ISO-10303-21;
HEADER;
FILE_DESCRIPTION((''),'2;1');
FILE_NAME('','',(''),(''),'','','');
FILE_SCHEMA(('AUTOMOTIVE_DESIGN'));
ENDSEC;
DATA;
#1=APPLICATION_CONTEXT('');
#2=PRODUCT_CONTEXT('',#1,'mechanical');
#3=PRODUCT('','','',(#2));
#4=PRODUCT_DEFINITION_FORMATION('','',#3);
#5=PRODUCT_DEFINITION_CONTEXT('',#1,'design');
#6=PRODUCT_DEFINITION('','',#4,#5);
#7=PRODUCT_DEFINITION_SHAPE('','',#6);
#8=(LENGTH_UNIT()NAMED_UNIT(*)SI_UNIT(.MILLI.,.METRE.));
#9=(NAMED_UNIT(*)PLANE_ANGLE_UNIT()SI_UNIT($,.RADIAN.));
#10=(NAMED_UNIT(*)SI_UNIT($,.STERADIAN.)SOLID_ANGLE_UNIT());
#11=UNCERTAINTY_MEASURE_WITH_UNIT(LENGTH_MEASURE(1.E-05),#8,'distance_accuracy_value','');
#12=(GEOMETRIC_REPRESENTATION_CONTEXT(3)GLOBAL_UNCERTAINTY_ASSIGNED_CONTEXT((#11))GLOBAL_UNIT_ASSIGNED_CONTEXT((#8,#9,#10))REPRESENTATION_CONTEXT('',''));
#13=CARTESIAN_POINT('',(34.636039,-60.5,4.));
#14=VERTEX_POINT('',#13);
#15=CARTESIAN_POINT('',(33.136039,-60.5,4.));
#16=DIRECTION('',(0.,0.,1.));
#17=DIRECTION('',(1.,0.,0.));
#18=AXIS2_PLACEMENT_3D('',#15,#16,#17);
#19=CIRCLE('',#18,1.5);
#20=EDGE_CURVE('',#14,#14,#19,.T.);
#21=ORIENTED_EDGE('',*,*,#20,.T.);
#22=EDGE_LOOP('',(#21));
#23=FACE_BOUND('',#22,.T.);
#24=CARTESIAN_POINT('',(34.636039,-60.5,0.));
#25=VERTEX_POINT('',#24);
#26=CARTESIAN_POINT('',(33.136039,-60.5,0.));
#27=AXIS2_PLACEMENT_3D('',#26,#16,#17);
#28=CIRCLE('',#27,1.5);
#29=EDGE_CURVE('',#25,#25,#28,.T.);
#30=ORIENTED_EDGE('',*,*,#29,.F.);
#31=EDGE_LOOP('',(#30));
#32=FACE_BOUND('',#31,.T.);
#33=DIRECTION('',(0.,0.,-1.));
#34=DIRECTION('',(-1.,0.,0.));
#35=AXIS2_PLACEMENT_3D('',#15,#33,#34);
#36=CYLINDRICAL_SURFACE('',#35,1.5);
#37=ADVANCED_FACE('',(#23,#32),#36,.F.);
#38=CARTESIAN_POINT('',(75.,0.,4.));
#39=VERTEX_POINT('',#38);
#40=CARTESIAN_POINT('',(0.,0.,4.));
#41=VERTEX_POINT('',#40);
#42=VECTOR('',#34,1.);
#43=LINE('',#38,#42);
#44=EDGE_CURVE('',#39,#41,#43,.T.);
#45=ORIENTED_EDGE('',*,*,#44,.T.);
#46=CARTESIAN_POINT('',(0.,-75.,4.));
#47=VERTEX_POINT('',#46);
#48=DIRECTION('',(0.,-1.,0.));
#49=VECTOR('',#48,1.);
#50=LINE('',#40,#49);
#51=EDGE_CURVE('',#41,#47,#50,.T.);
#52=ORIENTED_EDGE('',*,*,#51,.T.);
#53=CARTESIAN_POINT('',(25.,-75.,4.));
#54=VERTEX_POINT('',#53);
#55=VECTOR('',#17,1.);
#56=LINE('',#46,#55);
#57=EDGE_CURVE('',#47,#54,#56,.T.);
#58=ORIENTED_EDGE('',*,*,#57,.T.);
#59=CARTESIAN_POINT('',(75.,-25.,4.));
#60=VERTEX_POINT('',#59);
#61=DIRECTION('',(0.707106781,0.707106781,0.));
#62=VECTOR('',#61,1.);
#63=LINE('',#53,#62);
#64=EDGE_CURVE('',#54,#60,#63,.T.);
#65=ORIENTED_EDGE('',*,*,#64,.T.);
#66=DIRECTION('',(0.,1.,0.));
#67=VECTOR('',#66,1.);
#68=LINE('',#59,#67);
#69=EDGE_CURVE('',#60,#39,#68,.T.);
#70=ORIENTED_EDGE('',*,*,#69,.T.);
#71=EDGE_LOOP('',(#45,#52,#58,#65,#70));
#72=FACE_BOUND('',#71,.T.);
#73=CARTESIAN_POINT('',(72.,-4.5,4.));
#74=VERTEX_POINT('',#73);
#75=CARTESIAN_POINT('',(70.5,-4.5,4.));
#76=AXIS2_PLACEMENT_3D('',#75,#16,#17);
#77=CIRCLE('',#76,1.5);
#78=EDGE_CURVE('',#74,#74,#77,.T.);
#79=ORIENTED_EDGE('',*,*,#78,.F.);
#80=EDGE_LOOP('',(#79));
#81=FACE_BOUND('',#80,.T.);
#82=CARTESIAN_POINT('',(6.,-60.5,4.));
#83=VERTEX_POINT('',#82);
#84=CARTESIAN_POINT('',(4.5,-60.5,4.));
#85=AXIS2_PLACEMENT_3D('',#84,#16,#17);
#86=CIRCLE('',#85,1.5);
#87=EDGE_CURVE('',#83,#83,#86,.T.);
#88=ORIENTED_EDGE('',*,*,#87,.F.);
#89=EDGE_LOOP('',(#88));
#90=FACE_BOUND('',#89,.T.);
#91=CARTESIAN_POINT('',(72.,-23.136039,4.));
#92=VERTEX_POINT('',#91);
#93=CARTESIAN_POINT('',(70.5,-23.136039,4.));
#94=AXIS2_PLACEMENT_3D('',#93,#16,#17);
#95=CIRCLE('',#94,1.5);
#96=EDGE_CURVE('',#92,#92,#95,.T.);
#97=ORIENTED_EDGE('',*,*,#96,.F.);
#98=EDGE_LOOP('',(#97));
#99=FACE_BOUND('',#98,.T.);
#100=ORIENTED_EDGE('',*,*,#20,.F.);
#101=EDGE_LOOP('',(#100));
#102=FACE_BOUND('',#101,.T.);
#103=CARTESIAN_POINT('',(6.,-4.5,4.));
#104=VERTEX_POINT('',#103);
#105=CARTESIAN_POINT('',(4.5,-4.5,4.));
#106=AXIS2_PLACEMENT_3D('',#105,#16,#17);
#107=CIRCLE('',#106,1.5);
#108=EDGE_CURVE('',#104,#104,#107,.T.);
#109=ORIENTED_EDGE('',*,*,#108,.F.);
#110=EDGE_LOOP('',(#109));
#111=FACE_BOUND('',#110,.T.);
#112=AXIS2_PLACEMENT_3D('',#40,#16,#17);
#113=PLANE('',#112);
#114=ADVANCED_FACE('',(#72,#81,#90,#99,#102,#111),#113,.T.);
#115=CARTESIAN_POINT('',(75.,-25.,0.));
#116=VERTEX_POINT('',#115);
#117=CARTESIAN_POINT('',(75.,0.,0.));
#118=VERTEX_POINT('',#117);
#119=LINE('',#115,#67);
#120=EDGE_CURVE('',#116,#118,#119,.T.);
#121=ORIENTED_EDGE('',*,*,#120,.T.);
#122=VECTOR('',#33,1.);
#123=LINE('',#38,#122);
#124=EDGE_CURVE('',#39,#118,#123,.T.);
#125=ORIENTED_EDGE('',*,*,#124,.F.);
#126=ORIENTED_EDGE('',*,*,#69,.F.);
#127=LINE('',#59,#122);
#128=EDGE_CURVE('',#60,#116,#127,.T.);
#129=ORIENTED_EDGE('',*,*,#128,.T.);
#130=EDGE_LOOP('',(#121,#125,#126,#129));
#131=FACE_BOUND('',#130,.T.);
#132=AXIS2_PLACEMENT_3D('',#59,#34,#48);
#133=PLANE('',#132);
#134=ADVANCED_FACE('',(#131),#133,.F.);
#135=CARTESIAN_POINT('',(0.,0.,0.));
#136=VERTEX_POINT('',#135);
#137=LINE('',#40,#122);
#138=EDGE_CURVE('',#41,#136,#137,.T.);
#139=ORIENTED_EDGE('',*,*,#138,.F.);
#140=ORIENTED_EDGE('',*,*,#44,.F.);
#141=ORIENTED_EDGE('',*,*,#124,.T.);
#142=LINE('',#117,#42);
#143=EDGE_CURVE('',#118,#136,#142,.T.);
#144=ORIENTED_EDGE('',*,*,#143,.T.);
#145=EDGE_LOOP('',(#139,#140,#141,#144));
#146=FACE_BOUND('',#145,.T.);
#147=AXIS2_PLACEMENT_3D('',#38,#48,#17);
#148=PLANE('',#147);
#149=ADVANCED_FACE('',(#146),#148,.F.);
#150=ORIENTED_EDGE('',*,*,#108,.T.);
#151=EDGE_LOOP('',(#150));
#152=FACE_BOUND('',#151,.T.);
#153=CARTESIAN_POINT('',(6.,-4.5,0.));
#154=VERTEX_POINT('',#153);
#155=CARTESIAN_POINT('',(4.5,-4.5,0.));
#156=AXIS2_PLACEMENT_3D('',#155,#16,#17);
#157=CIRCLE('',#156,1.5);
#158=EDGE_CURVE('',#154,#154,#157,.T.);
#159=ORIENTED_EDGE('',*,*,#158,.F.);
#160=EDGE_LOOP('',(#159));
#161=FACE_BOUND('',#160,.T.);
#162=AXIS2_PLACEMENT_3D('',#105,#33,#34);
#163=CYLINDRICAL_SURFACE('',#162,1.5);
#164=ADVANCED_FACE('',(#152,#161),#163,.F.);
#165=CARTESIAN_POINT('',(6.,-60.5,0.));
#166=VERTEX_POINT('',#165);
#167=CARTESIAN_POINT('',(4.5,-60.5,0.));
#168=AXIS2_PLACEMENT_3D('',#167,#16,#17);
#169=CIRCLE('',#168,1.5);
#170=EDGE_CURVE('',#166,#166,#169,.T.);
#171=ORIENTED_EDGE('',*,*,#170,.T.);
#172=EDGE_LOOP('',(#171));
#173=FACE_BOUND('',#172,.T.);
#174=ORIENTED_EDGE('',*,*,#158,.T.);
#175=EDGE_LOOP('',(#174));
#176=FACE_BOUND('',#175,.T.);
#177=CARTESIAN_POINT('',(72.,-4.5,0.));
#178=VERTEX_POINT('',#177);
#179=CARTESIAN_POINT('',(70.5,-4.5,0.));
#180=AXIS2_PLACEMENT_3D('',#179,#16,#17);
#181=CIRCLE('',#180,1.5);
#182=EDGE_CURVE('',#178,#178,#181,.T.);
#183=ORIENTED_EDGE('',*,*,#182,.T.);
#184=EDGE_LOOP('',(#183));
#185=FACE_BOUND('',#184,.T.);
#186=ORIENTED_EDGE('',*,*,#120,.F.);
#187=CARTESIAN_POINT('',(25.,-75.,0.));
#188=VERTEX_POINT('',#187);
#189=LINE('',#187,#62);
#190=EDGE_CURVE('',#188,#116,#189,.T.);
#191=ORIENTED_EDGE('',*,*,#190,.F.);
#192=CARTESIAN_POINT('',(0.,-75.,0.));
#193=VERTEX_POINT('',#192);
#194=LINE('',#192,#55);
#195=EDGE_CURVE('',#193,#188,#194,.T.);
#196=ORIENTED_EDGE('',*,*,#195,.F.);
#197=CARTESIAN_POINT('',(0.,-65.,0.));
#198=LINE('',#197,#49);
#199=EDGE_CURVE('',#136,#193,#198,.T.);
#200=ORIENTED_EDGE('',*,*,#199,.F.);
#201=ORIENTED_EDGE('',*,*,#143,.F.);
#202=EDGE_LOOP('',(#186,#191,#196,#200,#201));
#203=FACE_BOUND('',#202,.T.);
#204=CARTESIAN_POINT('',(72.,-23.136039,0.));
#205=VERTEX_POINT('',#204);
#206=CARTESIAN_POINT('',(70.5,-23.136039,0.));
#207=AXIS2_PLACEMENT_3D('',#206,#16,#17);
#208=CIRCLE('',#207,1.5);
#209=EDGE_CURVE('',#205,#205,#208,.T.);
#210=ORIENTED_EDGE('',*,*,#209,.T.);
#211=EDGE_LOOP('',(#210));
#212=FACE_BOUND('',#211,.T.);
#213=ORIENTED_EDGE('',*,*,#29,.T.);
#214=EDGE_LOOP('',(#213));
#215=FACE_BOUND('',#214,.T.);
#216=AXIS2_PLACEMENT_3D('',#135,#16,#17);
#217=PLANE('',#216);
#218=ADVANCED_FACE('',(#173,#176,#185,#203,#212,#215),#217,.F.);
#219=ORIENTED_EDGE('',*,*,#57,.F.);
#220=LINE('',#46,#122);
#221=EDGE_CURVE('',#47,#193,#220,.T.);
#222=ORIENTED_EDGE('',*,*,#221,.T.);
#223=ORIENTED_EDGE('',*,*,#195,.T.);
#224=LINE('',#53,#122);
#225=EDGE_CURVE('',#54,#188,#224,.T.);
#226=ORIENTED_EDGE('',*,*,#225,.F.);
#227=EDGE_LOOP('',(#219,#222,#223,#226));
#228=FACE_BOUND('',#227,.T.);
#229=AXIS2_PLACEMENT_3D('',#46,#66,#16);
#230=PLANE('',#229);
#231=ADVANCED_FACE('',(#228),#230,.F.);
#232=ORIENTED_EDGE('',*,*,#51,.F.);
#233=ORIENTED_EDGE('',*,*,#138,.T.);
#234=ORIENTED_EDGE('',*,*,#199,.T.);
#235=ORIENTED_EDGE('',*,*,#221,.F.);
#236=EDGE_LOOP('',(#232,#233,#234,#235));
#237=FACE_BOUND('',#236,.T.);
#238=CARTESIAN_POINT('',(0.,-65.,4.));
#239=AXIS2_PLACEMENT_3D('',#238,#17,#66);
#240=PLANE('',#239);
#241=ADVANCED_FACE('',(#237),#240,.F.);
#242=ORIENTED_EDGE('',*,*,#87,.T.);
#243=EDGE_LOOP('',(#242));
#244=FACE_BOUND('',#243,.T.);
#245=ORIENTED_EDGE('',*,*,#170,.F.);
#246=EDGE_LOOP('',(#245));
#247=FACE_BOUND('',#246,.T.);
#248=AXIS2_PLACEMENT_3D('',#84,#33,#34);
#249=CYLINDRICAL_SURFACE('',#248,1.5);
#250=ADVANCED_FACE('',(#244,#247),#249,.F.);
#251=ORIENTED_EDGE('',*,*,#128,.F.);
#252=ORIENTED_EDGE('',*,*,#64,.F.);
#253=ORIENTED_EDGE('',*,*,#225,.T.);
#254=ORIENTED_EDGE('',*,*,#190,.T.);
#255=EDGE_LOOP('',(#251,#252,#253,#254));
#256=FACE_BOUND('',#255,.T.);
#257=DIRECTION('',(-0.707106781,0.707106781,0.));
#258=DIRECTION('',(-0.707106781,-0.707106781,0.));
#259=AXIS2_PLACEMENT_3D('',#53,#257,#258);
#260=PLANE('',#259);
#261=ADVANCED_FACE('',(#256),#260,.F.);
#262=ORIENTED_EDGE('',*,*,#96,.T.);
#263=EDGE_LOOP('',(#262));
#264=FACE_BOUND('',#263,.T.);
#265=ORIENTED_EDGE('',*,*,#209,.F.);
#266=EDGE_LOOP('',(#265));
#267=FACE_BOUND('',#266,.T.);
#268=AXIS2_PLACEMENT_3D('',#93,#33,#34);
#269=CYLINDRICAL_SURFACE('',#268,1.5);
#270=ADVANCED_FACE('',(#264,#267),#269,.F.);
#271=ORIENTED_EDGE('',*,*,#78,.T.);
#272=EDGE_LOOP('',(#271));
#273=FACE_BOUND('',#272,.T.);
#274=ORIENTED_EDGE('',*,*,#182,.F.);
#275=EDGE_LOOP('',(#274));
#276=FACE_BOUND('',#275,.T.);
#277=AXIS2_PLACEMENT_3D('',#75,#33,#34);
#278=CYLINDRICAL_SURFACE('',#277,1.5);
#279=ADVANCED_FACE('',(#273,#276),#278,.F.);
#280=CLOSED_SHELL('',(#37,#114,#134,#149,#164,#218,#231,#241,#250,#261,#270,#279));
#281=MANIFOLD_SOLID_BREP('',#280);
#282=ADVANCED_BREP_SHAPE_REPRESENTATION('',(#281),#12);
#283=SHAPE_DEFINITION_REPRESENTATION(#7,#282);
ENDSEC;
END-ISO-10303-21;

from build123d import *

# Parameters (mm, degrees)
SKETCH1_R           = 1.5
BOSS_EXTRUDE1_DEPTH = 4


with BuildPart() as part:
    # Sketch1 → Boss-Extrude1 (new body)
    with BuildSketch(Plane.XY):
        Polygon((0, 0), (0, -65), (0, -75), (25, -75), (75, -25), (75, 0), align=None)
        with Locations((4.5, -4.5)):
            Circle(SKETCH1_R, mode=Mode.SUBTRACT)
        with Locations((70.5, -4.5)):
            Circle(SKETCH1_R, mode=Mode.SUBTRACT)
        with Locations((70.5, -23.136038969)):
            Circle(SKETCH1_R, mode=Mode.SUBTRACT)
        with Locations((4.5, -60.5)):
            Circle(SKETCH1_R, mode=Mode.SUBTRACT)
        with Locations((33.136038969, -60.5)):
            Circle(SKETCH1_R, mode=Mode.SUBTRACT)
    extrude(amount=BOSS_EXTRUDE1_DEPTH)


solid = part.part
